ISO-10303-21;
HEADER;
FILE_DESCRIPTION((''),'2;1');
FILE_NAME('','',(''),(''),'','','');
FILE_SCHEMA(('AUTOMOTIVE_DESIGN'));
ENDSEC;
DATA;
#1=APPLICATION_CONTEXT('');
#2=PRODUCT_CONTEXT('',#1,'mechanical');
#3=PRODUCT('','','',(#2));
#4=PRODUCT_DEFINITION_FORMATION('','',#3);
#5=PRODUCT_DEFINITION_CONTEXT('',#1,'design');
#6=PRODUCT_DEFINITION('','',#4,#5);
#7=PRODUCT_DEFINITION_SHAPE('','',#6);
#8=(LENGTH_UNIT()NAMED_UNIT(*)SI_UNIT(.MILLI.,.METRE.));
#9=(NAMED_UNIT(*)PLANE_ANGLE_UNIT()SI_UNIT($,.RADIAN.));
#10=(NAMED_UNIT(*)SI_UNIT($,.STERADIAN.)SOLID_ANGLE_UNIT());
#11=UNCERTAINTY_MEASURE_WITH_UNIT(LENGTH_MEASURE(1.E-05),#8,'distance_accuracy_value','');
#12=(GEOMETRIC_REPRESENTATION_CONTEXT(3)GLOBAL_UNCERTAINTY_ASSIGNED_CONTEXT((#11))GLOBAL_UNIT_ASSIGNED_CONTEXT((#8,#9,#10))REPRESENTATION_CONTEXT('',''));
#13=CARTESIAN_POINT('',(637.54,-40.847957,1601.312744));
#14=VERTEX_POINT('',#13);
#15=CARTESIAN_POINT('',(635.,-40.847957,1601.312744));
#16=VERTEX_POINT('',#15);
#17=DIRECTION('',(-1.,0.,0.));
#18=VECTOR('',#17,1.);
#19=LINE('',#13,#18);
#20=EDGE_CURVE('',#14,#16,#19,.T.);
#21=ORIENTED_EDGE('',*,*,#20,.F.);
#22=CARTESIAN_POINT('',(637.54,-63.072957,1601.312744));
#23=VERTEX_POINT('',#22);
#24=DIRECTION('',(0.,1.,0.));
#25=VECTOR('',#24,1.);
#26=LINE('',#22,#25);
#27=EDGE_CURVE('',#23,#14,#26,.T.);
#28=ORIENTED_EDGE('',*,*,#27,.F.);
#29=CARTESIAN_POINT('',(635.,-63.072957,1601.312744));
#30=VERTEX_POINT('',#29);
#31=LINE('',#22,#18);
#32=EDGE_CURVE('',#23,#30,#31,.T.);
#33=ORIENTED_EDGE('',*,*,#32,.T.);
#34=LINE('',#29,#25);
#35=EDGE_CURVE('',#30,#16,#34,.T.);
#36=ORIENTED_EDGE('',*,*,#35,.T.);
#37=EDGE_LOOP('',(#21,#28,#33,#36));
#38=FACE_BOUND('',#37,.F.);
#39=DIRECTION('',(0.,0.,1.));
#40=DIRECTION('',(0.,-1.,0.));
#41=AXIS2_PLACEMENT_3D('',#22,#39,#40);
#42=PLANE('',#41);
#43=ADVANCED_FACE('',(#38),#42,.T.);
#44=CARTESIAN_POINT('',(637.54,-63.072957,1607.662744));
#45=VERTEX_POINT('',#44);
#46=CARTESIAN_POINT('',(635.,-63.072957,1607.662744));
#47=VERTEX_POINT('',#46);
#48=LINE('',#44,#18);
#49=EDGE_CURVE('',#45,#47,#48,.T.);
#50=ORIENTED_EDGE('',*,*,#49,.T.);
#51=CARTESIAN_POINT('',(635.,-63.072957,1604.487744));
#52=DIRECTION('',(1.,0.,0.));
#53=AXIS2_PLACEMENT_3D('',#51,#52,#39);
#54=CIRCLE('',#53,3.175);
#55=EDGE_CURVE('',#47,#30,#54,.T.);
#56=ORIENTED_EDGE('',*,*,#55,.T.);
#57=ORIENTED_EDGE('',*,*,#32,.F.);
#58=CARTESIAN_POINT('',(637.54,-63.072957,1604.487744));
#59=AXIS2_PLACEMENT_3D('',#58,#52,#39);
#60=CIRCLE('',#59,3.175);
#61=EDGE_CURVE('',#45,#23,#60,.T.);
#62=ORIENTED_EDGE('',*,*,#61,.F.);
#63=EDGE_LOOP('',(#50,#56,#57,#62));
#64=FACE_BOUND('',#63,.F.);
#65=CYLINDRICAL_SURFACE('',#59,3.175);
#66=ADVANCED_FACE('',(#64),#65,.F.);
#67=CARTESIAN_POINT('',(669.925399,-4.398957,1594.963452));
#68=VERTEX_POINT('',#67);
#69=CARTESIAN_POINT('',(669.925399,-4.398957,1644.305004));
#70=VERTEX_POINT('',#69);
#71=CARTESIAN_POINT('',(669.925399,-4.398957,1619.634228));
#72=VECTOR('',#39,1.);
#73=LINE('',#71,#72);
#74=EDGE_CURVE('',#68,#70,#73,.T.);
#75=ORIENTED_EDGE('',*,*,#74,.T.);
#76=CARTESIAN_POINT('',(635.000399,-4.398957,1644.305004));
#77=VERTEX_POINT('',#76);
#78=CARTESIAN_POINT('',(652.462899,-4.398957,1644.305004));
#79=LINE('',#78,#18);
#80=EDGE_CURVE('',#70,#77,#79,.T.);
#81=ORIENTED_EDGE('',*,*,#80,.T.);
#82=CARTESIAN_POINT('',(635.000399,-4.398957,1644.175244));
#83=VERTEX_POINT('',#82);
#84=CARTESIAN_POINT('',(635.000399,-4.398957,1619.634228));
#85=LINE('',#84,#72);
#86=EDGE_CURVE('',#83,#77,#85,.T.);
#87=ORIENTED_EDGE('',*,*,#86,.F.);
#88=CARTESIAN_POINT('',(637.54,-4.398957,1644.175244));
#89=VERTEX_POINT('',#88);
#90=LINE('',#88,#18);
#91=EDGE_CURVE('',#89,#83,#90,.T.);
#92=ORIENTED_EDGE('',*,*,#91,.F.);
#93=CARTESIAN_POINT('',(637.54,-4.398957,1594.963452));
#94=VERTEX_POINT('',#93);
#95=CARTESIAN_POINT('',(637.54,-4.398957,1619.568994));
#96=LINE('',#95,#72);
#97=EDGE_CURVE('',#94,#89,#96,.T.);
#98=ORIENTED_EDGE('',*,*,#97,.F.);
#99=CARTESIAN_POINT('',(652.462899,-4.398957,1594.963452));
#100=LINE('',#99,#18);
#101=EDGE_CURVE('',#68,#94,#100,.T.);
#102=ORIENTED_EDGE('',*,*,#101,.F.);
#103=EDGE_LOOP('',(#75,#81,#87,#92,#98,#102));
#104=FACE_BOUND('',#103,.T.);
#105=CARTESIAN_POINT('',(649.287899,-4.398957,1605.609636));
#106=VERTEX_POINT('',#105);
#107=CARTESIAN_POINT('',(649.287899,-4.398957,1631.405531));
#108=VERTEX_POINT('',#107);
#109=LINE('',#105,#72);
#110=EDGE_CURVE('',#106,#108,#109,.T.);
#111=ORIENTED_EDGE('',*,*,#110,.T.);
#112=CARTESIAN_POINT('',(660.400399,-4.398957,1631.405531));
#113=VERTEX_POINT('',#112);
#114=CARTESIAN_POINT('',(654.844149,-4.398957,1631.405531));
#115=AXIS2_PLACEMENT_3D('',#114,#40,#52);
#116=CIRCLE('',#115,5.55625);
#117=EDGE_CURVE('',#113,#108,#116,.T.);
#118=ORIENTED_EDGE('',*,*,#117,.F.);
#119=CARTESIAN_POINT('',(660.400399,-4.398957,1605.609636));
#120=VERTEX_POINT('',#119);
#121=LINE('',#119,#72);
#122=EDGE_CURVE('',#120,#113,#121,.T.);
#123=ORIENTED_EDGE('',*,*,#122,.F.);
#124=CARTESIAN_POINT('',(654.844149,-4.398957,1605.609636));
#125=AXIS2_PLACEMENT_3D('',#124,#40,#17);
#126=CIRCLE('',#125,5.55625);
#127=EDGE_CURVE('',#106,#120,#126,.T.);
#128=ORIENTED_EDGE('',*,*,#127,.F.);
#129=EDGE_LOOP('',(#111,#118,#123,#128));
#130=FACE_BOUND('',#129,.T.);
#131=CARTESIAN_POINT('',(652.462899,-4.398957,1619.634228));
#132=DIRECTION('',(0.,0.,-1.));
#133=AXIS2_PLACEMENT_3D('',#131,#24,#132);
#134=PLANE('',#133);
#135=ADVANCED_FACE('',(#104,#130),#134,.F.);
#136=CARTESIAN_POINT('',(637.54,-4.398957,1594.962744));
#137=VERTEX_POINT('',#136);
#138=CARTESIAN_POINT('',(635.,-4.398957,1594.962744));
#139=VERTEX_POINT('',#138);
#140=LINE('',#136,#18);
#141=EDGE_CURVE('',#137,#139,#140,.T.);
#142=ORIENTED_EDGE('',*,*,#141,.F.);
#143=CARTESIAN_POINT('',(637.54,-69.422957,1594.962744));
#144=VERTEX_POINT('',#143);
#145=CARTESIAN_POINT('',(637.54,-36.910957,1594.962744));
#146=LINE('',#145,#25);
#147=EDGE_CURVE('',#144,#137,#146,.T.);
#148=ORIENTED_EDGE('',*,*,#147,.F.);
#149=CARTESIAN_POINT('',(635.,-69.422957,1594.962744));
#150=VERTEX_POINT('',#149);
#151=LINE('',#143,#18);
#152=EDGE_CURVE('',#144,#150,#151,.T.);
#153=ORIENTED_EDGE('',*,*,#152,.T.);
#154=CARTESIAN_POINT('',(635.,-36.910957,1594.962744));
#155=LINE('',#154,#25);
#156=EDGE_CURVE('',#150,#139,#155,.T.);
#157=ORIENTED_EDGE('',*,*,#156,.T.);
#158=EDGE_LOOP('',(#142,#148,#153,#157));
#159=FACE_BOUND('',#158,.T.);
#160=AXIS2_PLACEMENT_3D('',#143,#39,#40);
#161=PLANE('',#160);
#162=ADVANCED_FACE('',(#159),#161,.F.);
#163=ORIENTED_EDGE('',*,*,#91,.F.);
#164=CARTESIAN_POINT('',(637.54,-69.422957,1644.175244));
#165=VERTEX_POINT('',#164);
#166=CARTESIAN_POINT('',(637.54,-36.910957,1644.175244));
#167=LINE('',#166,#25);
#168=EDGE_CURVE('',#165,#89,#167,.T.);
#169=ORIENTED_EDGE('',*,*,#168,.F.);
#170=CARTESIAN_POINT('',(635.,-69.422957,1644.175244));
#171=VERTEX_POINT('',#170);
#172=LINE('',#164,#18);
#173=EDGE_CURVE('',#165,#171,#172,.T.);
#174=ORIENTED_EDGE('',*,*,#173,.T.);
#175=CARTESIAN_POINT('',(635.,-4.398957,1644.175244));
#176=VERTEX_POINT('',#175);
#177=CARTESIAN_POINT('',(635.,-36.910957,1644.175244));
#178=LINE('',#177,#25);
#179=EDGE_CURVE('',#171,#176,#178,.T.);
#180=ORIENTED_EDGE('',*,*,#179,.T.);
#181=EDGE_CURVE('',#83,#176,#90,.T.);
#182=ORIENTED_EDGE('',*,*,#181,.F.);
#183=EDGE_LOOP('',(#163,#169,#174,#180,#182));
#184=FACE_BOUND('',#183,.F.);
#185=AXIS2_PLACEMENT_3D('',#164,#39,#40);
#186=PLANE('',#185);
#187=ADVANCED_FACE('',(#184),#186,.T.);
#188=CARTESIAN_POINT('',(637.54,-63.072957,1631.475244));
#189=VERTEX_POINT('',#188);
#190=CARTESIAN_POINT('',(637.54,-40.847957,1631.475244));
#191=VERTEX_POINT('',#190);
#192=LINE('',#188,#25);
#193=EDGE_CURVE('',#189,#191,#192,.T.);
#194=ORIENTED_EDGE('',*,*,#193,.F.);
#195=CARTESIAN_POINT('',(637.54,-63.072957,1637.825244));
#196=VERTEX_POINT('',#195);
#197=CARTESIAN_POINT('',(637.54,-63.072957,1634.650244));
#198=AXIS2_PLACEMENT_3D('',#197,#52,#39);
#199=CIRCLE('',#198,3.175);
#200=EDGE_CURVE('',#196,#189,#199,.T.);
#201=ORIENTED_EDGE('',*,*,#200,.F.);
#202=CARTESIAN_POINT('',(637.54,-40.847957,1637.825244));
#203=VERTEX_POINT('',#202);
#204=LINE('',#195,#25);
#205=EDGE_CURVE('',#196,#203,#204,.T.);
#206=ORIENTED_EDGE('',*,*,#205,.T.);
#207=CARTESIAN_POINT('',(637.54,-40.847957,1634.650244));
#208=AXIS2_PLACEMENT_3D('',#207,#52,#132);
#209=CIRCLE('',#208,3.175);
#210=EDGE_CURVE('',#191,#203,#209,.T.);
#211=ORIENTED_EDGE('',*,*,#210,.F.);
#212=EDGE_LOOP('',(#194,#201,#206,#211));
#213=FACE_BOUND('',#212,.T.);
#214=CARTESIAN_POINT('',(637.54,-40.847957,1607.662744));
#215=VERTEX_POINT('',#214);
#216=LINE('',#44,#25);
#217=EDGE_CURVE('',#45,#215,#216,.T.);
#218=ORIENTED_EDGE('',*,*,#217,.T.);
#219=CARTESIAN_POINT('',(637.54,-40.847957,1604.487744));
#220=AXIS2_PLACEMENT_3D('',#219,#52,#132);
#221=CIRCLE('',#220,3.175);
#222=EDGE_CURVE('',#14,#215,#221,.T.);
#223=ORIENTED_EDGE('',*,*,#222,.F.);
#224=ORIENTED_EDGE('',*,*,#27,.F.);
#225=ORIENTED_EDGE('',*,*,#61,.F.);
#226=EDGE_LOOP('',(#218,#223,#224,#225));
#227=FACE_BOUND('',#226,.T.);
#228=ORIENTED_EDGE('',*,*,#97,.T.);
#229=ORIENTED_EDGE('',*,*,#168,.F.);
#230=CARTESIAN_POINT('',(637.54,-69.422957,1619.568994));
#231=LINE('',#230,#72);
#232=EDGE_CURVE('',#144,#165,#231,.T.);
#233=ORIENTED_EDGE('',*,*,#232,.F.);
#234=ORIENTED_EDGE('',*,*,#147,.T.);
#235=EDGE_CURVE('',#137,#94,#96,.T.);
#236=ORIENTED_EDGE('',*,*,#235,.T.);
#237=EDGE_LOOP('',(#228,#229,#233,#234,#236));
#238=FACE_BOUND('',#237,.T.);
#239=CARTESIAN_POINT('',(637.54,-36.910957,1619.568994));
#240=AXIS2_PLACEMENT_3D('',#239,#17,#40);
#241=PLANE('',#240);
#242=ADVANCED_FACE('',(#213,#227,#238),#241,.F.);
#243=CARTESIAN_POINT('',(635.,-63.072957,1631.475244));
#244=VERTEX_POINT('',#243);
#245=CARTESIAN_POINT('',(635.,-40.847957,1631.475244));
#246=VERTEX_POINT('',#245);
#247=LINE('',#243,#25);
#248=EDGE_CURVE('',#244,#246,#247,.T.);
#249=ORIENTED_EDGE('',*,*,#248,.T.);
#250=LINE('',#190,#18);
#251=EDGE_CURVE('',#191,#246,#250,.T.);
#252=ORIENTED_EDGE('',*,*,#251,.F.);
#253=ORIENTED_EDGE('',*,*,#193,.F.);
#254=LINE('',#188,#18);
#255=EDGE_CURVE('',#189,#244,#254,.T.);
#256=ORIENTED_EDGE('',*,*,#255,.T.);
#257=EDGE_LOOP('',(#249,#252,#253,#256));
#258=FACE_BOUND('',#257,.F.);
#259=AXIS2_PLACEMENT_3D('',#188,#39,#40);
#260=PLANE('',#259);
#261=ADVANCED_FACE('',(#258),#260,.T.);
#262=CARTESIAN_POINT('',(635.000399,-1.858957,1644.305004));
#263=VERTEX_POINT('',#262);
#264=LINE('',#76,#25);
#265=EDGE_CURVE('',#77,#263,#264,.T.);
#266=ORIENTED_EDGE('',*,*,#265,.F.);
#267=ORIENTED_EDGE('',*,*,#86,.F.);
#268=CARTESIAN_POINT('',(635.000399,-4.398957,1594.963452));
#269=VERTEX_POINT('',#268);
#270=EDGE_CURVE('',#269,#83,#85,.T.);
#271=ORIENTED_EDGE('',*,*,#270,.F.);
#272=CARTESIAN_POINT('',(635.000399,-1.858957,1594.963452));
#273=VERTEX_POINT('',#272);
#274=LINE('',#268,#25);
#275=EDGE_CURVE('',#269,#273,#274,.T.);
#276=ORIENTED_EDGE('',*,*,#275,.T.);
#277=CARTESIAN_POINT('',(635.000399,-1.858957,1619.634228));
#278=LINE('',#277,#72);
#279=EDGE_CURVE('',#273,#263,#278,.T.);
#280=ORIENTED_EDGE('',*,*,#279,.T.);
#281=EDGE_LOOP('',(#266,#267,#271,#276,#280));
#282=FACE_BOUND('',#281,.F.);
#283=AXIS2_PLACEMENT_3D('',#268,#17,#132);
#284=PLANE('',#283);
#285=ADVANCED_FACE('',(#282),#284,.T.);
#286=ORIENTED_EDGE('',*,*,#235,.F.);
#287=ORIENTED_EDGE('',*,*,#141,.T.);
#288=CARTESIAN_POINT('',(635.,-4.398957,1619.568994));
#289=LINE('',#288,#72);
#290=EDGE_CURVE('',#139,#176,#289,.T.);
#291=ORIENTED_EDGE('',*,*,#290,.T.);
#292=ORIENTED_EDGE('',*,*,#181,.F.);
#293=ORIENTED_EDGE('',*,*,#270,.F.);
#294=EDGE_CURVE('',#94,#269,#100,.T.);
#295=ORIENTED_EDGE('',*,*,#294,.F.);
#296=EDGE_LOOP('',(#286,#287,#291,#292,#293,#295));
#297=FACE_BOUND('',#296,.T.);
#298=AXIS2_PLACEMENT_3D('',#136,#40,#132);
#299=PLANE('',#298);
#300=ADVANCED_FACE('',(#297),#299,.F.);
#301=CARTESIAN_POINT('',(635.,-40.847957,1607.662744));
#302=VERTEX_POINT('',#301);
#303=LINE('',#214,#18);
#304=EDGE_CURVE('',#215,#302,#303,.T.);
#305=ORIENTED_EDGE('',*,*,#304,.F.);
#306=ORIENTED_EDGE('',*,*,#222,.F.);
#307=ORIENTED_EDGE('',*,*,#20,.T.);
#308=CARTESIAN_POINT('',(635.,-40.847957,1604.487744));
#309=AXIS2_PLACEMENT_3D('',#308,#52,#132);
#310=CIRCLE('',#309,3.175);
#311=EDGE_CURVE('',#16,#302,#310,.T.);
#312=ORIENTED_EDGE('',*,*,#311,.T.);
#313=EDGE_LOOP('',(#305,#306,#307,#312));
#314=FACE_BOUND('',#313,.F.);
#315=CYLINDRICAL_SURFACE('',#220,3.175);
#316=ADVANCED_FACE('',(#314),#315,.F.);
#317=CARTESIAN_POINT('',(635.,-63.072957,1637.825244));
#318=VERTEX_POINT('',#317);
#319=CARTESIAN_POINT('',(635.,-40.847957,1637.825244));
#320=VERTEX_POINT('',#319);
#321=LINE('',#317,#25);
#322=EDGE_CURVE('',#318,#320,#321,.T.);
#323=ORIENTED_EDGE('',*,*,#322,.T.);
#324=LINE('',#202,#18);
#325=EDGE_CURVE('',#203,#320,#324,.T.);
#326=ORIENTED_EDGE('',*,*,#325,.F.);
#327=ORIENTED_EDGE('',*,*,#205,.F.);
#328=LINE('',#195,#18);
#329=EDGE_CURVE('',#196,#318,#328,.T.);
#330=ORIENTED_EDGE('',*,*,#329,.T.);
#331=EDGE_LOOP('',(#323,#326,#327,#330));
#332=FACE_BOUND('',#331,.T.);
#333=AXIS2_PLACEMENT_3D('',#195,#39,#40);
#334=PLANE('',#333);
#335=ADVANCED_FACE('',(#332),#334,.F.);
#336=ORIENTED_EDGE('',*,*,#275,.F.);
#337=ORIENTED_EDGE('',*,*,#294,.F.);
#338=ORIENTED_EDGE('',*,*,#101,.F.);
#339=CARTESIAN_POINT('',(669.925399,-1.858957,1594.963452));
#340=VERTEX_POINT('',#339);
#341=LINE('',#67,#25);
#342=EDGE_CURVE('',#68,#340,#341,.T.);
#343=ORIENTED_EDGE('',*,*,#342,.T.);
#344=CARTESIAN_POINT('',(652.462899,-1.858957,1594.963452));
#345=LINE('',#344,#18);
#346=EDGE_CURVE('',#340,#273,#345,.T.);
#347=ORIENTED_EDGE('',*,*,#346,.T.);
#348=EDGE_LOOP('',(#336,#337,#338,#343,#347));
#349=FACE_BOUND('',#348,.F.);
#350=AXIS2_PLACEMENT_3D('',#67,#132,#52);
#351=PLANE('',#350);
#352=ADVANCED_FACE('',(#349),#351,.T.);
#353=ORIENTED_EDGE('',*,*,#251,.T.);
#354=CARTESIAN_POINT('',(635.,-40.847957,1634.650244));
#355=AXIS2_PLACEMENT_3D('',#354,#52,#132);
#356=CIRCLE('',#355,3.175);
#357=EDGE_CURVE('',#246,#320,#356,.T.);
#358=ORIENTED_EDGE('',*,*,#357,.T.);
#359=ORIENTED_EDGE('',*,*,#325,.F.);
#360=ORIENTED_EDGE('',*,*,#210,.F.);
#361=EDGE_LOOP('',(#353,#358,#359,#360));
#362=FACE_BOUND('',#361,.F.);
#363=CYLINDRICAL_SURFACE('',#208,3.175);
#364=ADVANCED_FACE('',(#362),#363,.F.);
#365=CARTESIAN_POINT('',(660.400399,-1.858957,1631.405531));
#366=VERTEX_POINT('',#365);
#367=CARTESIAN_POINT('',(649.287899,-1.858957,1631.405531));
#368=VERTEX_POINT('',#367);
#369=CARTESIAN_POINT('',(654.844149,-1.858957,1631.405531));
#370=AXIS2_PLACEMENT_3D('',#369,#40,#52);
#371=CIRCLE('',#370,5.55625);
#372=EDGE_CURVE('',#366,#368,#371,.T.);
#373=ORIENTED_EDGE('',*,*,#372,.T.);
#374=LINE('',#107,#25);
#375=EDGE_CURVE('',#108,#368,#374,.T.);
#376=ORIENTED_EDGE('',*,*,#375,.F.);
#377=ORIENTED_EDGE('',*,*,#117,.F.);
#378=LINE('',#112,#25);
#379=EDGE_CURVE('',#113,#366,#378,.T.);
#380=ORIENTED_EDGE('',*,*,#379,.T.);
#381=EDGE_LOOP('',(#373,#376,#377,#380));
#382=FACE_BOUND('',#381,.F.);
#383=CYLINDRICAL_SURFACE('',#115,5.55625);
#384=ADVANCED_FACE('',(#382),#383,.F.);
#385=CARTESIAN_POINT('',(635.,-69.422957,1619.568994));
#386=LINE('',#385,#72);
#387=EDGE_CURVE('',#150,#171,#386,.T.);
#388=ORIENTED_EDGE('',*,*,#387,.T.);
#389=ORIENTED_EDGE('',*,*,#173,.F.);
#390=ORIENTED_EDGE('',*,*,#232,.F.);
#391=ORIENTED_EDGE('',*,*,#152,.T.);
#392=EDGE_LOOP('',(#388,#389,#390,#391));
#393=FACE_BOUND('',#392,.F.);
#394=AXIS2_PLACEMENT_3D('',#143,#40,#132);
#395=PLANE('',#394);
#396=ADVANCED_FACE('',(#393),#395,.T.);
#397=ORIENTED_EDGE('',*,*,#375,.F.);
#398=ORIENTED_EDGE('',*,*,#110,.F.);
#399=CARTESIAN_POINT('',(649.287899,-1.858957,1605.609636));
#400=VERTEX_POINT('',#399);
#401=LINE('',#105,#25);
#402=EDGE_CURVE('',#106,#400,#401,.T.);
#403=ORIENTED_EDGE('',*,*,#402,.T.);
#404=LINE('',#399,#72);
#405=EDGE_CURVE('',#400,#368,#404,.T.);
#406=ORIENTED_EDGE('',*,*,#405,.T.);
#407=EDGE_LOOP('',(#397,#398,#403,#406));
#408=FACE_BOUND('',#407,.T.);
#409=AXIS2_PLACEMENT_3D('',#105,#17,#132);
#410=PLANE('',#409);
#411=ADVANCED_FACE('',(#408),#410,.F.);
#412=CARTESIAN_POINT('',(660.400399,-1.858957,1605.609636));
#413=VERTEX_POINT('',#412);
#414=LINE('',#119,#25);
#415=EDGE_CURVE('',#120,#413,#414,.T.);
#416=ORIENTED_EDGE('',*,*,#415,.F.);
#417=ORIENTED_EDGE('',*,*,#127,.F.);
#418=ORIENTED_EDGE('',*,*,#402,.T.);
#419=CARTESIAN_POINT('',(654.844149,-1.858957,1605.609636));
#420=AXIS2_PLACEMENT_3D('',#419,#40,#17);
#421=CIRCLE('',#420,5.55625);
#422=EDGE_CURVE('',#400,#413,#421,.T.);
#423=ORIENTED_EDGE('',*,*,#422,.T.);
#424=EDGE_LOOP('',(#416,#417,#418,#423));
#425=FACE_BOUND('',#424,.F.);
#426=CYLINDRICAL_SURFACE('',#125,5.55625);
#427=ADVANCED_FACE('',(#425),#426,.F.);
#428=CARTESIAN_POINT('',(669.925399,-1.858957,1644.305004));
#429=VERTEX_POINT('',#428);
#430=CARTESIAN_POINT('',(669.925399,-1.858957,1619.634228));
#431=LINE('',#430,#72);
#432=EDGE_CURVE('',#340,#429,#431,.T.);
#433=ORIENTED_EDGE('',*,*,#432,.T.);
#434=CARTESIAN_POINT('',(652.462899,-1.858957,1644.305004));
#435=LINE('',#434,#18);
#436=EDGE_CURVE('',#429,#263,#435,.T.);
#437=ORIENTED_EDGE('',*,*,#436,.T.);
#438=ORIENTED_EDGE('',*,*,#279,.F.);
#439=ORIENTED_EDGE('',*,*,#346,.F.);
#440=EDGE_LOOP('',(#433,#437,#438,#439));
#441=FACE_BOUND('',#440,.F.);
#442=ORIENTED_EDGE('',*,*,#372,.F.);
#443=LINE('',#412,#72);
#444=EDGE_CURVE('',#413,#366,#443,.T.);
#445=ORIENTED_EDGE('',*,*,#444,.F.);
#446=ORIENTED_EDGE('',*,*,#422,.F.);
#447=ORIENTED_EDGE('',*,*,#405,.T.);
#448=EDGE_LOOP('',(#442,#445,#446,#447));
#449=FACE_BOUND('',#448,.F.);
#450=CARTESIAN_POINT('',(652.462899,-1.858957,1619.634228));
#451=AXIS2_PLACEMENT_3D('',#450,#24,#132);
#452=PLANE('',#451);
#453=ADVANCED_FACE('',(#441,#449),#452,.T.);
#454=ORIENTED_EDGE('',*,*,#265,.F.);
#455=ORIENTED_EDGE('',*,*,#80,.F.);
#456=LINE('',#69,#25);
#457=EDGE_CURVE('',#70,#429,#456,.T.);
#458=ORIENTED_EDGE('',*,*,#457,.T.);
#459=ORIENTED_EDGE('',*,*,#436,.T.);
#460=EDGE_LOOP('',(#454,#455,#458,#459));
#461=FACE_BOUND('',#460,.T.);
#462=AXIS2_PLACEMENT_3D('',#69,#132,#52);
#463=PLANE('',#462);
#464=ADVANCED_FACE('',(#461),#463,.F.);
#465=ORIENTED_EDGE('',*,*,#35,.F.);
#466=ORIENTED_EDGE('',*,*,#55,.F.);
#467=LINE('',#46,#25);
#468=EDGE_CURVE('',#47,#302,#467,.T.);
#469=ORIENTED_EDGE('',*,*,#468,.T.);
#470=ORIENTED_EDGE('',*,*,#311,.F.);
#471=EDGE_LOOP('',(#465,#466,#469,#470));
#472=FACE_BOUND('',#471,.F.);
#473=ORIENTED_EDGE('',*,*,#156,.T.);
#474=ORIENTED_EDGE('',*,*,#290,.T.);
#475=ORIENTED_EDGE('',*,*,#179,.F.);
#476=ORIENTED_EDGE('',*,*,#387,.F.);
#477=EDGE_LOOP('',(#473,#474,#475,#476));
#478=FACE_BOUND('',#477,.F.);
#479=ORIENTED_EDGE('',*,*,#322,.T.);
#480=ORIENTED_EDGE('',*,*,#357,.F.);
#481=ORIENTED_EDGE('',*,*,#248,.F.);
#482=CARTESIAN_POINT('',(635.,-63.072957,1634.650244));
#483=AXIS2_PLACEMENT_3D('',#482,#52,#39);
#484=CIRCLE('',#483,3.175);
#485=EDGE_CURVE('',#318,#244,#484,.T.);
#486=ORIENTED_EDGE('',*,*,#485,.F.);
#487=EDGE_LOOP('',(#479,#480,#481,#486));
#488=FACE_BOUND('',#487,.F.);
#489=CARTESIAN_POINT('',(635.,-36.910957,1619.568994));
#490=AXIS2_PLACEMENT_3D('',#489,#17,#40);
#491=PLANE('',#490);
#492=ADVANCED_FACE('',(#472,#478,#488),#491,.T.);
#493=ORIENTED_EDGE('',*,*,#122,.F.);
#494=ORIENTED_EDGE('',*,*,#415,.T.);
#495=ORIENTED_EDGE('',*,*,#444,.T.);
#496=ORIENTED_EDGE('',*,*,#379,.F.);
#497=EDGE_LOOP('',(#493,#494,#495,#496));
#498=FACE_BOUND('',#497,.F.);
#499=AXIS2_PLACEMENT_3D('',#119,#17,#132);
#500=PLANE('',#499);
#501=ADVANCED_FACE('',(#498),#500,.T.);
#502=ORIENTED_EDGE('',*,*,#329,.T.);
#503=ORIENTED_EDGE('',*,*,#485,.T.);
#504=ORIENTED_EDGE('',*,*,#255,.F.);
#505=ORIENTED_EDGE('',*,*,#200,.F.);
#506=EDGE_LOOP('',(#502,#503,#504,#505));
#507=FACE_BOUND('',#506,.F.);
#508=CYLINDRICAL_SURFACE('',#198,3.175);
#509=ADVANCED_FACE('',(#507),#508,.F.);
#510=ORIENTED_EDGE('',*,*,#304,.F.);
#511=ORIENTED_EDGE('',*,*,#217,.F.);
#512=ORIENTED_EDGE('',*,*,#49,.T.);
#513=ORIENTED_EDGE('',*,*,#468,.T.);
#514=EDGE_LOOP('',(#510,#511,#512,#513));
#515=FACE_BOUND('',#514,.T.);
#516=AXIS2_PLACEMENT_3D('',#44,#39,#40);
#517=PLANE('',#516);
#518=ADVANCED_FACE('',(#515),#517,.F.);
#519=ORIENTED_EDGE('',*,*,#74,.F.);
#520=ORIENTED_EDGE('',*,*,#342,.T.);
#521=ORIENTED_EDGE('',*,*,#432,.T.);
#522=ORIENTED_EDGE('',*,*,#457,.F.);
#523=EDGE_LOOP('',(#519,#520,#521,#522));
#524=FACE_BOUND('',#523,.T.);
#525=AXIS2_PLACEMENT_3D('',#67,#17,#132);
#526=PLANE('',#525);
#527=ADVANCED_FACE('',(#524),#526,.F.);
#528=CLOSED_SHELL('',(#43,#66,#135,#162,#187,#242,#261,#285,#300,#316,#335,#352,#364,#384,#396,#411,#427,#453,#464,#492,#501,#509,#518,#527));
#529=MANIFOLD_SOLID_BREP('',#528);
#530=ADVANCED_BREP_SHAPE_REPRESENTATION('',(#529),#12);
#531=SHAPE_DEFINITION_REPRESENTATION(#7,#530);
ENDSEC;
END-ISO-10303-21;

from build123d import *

# Parameters (mm, degrees)
SKETCH004_W  = 65.024
SKETCH004_H  = 49.2125
PAD004_DEPTH = 2.54
SKETCH005_W  = 49.341553
SKETCH005_H  = 34.925
PAD005_DEPTH = 2.54


with BuildPart() as inverterlowerbracket:
    # Sketch004 → Pad004 (new body)
    with BuildSketch(Plane.YZ):
        with Locations((-55.960957, 1378.268994)):
            Rectangle(SKETCH004_W, SKETCH004_H)
        with BuildLine():
            ThreePointArc((-82.122957, 1396.525244), (-85.297957, 1393.350244), (-82.122957, 1390.175244))
            Line((-82.122957, 1390.175244), (-59.897957, 1390.175244))
            ThreePointArc((-59.897957, 1390.175244), (-56.722957, 1393.350244), (-59.897957, 1396.525244))
            Line((-82.122957, 1396.525244), (-59.897957, 1396.525244))
        make_face(mode=Mode.SUBTRACT)
        with BuildLine():
            ThreePointArc((-82.122957, 1366.362744), (-85.297957, 1363.187744), (-82.122957, 1360.012744))
            Line((-82.122957, 1360.012744), (-59.897957, 1360.012744))
            ThreePointArc((-59.897957, 1360.012744), (-56.722957, 1363.187744), (-59.897957, 1366.362744))
            Line((-82.122957, 1366.362744), (-59.897957, 1366.362744))
        make_face(mode=Mode.SUBTRACT)
    extrude(amount=PAD004_DEPTH)

    # Sketch005 (on Face1 of Pad004) → Pad005 (join)
    with BuildSketch(Plane.ZX.offset(-23.448957)):
        with Locations((1378.334228, -14.922899)):
            Rectangle(SKETCH005_W, SKETCH005_H)
        with BuildLine():
            ThreePointArc((1364.309636, -11.747899), (1358.753386, -17.304149), (1364.309636, -22.860399))
            Line((1364.309636, -22.860399), (1390.105531, -22.860399))
            ThreePointArc((1390.105531, -22.860399), (1395.661781, -17.304149), (1390.105531, -11.747899))
            Line((1364.309636, -11.747899), (1390.105531, -11.747899))
        make_face(mode=Mode.SUBTRACT)
    extrude(amount=PAD005_DEPTH)


with BuildPart() as inverterlowerbracket_1:
    # Body003 placement: moved
    add(inverterlowerbracket.part.moved(Location((111.76, 19.05, 241.3))))


with BuildPart() as part_mirroring001:
    # Part__Mirroring001: instance of InverterLowerBracket
    add(inverterlowerbracket_1.part.mirror(Plane(origin=(0, 0, 0), x_dir=(0, -1, 0), z_dir=(1, 0, 0))))


with BuildPart() as part_mirroring001_1:
    # Part__Mirroring001 placement: moved
    add(part_mirroring001.part.moved(Location((749.3, 0, 0))))


solid = part_mirroring001_1.part
